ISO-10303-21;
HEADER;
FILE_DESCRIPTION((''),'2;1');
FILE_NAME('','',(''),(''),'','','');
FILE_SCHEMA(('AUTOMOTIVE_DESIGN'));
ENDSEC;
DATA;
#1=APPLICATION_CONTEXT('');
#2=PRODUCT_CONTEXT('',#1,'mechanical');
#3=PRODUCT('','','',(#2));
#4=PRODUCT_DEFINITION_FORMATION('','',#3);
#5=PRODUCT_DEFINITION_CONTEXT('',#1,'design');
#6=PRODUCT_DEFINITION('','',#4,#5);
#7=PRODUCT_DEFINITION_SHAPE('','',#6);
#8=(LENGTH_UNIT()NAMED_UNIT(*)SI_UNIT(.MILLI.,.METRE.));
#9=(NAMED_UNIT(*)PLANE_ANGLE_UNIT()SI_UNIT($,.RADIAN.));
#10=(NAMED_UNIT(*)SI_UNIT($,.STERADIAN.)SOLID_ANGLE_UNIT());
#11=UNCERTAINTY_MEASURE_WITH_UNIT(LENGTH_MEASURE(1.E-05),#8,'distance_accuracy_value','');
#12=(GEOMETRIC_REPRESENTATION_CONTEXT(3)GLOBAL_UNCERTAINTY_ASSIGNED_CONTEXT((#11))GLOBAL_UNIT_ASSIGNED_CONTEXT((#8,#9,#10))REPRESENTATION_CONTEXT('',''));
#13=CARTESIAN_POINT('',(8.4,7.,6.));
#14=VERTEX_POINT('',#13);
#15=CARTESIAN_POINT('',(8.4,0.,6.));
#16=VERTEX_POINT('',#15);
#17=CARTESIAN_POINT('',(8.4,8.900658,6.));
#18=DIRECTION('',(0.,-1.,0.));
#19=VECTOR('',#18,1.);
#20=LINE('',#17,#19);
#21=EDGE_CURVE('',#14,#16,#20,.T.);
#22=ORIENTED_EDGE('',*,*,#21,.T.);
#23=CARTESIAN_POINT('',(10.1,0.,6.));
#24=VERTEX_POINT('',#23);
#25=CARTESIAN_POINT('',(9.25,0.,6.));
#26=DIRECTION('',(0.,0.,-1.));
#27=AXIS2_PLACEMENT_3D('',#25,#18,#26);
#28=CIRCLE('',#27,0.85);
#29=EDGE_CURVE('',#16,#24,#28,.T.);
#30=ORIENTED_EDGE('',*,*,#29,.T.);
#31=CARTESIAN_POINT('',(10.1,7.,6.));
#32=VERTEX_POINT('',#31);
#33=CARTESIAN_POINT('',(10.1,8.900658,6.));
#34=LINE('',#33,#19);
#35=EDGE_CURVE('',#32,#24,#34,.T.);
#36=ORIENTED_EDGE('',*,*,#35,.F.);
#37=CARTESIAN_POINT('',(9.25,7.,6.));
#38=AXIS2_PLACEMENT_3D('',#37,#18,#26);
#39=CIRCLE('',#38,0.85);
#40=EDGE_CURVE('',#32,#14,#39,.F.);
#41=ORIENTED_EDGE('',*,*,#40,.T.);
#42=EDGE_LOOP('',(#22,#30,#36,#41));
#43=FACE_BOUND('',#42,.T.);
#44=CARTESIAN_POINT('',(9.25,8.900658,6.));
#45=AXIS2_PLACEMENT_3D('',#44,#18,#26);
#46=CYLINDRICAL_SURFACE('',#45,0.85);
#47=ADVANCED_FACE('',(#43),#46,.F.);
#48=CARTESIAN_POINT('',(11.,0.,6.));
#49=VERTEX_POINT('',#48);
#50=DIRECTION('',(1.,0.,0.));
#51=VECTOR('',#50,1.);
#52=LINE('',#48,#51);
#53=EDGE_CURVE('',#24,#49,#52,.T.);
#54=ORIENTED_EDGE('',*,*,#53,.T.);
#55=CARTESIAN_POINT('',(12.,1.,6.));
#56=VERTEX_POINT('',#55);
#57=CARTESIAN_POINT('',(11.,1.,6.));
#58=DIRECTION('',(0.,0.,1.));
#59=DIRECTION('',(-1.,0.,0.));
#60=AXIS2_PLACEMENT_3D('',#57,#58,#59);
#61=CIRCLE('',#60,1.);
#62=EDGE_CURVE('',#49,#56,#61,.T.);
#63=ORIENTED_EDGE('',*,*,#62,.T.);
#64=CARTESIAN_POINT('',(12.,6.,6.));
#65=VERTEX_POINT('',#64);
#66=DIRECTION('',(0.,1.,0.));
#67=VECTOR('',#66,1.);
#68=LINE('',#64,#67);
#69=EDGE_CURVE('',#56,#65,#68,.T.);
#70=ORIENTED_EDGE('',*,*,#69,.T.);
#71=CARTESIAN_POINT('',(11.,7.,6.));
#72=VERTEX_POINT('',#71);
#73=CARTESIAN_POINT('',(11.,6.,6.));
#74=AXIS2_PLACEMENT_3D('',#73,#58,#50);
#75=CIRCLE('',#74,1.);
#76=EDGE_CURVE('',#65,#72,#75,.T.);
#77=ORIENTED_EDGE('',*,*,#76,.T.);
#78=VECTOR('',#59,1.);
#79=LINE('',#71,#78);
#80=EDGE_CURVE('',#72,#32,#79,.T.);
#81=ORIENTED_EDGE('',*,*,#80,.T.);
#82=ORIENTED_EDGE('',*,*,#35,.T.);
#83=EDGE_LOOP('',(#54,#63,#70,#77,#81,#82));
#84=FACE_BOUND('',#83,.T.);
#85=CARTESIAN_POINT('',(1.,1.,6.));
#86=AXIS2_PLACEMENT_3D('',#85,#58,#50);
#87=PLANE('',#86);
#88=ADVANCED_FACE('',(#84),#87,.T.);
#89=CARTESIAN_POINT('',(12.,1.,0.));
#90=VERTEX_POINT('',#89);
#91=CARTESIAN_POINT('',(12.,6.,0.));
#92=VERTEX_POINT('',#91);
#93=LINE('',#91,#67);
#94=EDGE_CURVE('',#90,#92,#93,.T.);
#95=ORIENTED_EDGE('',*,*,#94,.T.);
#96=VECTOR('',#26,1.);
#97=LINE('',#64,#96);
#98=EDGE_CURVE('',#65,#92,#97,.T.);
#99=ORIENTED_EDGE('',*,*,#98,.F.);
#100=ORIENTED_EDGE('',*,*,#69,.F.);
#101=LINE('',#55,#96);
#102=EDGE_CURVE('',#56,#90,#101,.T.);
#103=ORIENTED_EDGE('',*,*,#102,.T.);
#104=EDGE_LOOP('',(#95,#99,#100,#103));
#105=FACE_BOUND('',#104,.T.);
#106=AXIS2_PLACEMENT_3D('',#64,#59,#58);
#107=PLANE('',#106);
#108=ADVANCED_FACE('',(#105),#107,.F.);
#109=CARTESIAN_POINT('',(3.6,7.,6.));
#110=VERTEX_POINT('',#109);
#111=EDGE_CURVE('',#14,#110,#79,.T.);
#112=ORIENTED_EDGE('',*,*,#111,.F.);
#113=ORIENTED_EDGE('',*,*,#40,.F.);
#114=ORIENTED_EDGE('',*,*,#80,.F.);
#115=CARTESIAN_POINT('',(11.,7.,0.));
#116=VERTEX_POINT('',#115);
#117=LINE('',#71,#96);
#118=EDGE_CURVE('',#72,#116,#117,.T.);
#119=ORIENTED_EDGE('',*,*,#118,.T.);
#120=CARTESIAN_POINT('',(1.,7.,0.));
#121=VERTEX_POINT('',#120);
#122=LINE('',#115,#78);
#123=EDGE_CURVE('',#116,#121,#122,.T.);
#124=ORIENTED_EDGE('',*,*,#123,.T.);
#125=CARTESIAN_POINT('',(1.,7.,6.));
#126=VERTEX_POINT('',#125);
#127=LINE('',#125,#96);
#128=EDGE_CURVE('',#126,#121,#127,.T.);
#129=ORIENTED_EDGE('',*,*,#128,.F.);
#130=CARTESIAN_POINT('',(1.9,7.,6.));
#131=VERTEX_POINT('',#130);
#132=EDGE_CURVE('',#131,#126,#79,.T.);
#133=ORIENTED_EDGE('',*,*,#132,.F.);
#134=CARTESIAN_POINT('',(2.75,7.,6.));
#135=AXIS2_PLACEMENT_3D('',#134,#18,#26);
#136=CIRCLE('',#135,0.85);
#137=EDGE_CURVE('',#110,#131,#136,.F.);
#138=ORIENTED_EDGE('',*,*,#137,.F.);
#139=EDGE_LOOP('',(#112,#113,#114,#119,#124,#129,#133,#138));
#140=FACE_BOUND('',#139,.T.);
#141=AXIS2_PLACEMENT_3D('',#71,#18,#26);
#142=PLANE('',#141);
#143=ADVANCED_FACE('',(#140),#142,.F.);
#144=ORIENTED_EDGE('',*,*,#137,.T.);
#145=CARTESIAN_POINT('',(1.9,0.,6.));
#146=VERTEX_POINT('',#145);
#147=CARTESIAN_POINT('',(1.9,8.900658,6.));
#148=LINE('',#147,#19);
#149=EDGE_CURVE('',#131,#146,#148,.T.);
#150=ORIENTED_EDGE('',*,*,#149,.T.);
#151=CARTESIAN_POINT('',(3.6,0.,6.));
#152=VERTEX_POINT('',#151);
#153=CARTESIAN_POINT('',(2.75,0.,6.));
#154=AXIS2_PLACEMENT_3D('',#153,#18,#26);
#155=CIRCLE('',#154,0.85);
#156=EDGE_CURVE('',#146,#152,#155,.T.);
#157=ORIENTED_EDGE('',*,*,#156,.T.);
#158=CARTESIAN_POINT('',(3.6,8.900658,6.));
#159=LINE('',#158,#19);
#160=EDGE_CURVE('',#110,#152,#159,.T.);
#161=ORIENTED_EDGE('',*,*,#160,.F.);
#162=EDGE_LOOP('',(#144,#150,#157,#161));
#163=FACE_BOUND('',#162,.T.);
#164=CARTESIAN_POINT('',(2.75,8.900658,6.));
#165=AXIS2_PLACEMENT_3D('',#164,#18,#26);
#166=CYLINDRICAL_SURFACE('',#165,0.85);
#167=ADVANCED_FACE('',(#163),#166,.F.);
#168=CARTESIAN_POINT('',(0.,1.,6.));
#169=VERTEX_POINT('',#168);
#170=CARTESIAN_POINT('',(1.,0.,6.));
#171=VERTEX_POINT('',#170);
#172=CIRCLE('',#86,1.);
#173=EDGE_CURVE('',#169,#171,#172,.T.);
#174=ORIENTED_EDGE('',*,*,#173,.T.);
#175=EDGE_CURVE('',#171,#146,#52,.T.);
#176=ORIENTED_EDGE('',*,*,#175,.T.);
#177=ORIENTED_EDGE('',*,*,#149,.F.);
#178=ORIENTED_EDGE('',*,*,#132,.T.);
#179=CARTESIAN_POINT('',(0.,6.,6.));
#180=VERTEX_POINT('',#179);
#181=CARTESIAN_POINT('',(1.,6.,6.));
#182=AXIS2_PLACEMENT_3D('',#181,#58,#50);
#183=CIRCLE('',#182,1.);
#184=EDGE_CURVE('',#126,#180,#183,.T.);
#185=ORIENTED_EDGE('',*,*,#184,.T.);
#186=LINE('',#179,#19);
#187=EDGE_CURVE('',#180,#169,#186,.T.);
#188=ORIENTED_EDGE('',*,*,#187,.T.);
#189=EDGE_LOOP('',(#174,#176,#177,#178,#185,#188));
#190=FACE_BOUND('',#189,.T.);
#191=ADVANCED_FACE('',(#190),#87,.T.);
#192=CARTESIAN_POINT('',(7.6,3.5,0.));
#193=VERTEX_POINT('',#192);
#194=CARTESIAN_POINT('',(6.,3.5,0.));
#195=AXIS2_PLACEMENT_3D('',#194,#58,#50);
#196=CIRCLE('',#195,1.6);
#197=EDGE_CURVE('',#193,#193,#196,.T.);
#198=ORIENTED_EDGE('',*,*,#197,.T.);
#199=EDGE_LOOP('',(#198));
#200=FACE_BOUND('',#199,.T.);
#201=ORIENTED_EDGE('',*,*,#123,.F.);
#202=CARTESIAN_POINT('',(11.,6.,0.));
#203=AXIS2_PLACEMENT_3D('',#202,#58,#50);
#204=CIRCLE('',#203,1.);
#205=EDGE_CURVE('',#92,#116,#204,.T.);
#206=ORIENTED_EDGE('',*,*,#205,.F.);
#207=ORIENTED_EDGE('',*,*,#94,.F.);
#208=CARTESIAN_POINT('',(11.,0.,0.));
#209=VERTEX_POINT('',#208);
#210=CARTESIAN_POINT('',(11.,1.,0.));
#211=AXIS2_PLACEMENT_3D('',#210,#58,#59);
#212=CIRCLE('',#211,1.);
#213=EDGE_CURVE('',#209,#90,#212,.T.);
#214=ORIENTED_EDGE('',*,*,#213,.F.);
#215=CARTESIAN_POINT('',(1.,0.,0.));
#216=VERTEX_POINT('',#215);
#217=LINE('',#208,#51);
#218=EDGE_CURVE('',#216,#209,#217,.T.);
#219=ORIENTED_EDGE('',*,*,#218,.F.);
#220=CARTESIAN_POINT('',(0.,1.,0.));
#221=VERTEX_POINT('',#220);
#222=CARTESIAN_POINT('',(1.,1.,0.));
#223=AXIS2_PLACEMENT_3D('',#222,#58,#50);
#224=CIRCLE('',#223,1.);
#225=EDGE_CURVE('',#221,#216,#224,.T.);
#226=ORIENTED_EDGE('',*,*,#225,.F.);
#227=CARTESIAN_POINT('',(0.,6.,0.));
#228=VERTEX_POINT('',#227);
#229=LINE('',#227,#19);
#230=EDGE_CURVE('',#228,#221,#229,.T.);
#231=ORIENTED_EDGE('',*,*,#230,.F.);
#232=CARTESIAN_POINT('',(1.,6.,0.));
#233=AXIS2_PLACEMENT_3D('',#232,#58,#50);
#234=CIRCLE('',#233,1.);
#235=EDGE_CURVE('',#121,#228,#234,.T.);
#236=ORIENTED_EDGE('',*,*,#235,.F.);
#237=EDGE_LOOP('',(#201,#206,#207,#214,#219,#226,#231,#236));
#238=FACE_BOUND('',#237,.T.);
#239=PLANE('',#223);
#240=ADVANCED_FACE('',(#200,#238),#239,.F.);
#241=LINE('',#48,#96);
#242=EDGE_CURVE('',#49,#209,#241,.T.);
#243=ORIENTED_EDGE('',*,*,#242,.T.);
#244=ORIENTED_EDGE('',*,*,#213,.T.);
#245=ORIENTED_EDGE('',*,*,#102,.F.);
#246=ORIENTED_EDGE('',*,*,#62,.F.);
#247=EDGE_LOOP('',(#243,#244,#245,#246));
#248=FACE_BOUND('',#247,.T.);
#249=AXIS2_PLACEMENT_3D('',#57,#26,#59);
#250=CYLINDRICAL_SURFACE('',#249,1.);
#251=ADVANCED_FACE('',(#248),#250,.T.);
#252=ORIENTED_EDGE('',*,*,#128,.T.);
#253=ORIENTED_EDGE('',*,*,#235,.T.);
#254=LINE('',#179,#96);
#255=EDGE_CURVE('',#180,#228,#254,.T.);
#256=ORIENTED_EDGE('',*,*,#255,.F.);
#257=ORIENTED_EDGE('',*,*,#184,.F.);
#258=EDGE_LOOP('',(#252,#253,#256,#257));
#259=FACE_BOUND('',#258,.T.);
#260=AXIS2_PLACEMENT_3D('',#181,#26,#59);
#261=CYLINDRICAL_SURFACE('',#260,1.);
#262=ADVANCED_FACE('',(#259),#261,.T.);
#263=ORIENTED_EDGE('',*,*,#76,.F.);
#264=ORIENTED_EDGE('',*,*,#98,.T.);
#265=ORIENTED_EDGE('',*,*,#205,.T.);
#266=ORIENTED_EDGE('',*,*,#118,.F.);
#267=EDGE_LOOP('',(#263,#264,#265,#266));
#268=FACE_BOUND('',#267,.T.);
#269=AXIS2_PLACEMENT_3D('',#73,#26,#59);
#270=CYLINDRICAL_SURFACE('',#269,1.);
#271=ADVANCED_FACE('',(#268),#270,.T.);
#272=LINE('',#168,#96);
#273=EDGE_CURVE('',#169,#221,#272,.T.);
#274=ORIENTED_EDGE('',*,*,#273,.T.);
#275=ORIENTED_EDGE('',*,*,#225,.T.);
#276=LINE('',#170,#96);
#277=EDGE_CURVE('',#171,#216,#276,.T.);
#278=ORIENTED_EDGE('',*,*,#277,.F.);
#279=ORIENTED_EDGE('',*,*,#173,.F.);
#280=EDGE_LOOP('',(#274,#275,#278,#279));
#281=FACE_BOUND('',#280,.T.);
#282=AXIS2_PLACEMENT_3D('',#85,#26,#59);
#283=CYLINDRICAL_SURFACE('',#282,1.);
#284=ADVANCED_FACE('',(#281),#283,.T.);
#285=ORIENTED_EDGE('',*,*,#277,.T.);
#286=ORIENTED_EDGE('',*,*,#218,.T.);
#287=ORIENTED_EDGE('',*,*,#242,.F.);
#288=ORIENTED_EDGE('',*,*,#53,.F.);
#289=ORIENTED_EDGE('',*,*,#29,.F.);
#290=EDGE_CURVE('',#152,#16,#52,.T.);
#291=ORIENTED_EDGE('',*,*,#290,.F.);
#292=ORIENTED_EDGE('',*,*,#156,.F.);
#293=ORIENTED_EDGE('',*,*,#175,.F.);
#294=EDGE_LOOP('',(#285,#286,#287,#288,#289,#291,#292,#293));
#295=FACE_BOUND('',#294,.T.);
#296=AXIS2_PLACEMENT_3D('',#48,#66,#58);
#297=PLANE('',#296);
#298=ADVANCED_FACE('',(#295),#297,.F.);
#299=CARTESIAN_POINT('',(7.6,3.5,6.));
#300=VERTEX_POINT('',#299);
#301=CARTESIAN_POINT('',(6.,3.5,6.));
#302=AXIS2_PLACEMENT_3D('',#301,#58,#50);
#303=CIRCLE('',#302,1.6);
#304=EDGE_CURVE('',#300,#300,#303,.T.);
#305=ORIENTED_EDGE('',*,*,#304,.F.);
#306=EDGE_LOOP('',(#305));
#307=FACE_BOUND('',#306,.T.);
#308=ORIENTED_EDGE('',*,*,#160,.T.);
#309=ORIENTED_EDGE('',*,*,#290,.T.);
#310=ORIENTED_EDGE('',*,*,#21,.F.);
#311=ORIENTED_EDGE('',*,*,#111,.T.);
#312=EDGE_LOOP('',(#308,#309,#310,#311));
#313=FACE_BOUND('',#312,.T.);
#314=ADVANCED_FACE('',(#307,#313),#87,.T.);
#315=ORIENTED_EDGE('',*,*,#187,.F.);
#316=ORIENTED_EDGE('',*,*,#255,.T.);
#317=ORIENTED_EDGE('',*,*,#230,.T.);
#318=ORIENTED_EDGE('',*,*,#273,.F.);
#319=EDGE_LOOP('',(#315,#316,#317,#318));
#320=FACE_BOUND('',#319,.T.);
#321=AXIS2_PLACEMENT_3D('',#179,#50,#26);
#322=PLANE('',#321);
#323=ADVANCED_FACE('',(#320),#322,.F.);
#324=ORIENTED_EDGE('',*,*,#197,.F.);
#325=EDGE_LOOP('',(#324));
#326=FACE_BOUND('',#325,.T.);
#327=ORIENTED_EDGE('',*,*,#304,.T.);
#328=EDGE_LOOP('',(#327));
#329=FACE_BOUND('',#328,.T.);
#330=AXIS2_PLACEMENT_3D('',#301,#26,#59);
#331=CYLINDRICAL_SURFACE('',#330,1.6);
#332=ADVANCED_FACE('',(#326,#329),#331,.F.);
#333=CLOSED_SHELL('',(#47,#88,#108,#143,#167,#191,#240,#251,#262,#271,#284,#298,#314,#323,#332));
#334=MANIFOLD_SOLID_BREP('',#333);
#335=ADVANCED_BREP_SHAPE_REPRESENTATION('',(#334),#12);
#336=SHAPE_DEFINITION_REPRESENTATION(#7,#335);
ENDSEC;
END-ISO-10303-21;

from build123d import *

# Parameters (mm, degrees)
SKETCH1_R           = 1.6
BOSS_EXTRUDE1_DEPTH = 6
CUT_EXTRUDE1_DEPTH  = 7


with BuildPart() as part:
    # Sketch1 → Boss-Extrude1 (new body)
    with BuildSketch(Plane.XY):
        with BuildLine():
            Line((12, 6), (12, 1))
            ThreePointArc((12, 1), (11.707106781, 0.292893219), (11, 0))
            Line((11, 0), (1, 0))
            ThreePointArc((1, 0), (0.292893219, 0.292893219), (0, 1))
            Line((0, 1), (0, 6))
            ThreePointArc((0, 6), (0.292893219, 6.707106781), (1, 7))
            Line((1, 7), (11, 7))
            ThreePointArc((11, 7), (11.707106781, 6.707106781), (12, 6))
        make_face()
        with Locations((6, 3.5)):
            Circle(SKETCH1_R, mode=Mode.SUBTRACT)
    extrude(amount=BOSS_EXTRUDE1_DEPTH)

    # Sketch2 → Cut-Extrude1 (cut)
    with BuildSketch(Plane.XZ):
        with BuildLine():
            Line((1.9, 6), (3.6, 6))
            ThreePointArc((3.6, 6), (2.75, 5.15), (1.9, 6))
        make_face()
        with BuildLine():
            Line((8.4, 6), (10.1, 6))
            ThreePointArc((10.1, 6), (9.25, 5.15), (8.4, 6))
        make_face()
    extrude(amount=-CUT_EXTRUDE1_DEPTH, mode=Mode.SUBTRACT)


solid = part.part
